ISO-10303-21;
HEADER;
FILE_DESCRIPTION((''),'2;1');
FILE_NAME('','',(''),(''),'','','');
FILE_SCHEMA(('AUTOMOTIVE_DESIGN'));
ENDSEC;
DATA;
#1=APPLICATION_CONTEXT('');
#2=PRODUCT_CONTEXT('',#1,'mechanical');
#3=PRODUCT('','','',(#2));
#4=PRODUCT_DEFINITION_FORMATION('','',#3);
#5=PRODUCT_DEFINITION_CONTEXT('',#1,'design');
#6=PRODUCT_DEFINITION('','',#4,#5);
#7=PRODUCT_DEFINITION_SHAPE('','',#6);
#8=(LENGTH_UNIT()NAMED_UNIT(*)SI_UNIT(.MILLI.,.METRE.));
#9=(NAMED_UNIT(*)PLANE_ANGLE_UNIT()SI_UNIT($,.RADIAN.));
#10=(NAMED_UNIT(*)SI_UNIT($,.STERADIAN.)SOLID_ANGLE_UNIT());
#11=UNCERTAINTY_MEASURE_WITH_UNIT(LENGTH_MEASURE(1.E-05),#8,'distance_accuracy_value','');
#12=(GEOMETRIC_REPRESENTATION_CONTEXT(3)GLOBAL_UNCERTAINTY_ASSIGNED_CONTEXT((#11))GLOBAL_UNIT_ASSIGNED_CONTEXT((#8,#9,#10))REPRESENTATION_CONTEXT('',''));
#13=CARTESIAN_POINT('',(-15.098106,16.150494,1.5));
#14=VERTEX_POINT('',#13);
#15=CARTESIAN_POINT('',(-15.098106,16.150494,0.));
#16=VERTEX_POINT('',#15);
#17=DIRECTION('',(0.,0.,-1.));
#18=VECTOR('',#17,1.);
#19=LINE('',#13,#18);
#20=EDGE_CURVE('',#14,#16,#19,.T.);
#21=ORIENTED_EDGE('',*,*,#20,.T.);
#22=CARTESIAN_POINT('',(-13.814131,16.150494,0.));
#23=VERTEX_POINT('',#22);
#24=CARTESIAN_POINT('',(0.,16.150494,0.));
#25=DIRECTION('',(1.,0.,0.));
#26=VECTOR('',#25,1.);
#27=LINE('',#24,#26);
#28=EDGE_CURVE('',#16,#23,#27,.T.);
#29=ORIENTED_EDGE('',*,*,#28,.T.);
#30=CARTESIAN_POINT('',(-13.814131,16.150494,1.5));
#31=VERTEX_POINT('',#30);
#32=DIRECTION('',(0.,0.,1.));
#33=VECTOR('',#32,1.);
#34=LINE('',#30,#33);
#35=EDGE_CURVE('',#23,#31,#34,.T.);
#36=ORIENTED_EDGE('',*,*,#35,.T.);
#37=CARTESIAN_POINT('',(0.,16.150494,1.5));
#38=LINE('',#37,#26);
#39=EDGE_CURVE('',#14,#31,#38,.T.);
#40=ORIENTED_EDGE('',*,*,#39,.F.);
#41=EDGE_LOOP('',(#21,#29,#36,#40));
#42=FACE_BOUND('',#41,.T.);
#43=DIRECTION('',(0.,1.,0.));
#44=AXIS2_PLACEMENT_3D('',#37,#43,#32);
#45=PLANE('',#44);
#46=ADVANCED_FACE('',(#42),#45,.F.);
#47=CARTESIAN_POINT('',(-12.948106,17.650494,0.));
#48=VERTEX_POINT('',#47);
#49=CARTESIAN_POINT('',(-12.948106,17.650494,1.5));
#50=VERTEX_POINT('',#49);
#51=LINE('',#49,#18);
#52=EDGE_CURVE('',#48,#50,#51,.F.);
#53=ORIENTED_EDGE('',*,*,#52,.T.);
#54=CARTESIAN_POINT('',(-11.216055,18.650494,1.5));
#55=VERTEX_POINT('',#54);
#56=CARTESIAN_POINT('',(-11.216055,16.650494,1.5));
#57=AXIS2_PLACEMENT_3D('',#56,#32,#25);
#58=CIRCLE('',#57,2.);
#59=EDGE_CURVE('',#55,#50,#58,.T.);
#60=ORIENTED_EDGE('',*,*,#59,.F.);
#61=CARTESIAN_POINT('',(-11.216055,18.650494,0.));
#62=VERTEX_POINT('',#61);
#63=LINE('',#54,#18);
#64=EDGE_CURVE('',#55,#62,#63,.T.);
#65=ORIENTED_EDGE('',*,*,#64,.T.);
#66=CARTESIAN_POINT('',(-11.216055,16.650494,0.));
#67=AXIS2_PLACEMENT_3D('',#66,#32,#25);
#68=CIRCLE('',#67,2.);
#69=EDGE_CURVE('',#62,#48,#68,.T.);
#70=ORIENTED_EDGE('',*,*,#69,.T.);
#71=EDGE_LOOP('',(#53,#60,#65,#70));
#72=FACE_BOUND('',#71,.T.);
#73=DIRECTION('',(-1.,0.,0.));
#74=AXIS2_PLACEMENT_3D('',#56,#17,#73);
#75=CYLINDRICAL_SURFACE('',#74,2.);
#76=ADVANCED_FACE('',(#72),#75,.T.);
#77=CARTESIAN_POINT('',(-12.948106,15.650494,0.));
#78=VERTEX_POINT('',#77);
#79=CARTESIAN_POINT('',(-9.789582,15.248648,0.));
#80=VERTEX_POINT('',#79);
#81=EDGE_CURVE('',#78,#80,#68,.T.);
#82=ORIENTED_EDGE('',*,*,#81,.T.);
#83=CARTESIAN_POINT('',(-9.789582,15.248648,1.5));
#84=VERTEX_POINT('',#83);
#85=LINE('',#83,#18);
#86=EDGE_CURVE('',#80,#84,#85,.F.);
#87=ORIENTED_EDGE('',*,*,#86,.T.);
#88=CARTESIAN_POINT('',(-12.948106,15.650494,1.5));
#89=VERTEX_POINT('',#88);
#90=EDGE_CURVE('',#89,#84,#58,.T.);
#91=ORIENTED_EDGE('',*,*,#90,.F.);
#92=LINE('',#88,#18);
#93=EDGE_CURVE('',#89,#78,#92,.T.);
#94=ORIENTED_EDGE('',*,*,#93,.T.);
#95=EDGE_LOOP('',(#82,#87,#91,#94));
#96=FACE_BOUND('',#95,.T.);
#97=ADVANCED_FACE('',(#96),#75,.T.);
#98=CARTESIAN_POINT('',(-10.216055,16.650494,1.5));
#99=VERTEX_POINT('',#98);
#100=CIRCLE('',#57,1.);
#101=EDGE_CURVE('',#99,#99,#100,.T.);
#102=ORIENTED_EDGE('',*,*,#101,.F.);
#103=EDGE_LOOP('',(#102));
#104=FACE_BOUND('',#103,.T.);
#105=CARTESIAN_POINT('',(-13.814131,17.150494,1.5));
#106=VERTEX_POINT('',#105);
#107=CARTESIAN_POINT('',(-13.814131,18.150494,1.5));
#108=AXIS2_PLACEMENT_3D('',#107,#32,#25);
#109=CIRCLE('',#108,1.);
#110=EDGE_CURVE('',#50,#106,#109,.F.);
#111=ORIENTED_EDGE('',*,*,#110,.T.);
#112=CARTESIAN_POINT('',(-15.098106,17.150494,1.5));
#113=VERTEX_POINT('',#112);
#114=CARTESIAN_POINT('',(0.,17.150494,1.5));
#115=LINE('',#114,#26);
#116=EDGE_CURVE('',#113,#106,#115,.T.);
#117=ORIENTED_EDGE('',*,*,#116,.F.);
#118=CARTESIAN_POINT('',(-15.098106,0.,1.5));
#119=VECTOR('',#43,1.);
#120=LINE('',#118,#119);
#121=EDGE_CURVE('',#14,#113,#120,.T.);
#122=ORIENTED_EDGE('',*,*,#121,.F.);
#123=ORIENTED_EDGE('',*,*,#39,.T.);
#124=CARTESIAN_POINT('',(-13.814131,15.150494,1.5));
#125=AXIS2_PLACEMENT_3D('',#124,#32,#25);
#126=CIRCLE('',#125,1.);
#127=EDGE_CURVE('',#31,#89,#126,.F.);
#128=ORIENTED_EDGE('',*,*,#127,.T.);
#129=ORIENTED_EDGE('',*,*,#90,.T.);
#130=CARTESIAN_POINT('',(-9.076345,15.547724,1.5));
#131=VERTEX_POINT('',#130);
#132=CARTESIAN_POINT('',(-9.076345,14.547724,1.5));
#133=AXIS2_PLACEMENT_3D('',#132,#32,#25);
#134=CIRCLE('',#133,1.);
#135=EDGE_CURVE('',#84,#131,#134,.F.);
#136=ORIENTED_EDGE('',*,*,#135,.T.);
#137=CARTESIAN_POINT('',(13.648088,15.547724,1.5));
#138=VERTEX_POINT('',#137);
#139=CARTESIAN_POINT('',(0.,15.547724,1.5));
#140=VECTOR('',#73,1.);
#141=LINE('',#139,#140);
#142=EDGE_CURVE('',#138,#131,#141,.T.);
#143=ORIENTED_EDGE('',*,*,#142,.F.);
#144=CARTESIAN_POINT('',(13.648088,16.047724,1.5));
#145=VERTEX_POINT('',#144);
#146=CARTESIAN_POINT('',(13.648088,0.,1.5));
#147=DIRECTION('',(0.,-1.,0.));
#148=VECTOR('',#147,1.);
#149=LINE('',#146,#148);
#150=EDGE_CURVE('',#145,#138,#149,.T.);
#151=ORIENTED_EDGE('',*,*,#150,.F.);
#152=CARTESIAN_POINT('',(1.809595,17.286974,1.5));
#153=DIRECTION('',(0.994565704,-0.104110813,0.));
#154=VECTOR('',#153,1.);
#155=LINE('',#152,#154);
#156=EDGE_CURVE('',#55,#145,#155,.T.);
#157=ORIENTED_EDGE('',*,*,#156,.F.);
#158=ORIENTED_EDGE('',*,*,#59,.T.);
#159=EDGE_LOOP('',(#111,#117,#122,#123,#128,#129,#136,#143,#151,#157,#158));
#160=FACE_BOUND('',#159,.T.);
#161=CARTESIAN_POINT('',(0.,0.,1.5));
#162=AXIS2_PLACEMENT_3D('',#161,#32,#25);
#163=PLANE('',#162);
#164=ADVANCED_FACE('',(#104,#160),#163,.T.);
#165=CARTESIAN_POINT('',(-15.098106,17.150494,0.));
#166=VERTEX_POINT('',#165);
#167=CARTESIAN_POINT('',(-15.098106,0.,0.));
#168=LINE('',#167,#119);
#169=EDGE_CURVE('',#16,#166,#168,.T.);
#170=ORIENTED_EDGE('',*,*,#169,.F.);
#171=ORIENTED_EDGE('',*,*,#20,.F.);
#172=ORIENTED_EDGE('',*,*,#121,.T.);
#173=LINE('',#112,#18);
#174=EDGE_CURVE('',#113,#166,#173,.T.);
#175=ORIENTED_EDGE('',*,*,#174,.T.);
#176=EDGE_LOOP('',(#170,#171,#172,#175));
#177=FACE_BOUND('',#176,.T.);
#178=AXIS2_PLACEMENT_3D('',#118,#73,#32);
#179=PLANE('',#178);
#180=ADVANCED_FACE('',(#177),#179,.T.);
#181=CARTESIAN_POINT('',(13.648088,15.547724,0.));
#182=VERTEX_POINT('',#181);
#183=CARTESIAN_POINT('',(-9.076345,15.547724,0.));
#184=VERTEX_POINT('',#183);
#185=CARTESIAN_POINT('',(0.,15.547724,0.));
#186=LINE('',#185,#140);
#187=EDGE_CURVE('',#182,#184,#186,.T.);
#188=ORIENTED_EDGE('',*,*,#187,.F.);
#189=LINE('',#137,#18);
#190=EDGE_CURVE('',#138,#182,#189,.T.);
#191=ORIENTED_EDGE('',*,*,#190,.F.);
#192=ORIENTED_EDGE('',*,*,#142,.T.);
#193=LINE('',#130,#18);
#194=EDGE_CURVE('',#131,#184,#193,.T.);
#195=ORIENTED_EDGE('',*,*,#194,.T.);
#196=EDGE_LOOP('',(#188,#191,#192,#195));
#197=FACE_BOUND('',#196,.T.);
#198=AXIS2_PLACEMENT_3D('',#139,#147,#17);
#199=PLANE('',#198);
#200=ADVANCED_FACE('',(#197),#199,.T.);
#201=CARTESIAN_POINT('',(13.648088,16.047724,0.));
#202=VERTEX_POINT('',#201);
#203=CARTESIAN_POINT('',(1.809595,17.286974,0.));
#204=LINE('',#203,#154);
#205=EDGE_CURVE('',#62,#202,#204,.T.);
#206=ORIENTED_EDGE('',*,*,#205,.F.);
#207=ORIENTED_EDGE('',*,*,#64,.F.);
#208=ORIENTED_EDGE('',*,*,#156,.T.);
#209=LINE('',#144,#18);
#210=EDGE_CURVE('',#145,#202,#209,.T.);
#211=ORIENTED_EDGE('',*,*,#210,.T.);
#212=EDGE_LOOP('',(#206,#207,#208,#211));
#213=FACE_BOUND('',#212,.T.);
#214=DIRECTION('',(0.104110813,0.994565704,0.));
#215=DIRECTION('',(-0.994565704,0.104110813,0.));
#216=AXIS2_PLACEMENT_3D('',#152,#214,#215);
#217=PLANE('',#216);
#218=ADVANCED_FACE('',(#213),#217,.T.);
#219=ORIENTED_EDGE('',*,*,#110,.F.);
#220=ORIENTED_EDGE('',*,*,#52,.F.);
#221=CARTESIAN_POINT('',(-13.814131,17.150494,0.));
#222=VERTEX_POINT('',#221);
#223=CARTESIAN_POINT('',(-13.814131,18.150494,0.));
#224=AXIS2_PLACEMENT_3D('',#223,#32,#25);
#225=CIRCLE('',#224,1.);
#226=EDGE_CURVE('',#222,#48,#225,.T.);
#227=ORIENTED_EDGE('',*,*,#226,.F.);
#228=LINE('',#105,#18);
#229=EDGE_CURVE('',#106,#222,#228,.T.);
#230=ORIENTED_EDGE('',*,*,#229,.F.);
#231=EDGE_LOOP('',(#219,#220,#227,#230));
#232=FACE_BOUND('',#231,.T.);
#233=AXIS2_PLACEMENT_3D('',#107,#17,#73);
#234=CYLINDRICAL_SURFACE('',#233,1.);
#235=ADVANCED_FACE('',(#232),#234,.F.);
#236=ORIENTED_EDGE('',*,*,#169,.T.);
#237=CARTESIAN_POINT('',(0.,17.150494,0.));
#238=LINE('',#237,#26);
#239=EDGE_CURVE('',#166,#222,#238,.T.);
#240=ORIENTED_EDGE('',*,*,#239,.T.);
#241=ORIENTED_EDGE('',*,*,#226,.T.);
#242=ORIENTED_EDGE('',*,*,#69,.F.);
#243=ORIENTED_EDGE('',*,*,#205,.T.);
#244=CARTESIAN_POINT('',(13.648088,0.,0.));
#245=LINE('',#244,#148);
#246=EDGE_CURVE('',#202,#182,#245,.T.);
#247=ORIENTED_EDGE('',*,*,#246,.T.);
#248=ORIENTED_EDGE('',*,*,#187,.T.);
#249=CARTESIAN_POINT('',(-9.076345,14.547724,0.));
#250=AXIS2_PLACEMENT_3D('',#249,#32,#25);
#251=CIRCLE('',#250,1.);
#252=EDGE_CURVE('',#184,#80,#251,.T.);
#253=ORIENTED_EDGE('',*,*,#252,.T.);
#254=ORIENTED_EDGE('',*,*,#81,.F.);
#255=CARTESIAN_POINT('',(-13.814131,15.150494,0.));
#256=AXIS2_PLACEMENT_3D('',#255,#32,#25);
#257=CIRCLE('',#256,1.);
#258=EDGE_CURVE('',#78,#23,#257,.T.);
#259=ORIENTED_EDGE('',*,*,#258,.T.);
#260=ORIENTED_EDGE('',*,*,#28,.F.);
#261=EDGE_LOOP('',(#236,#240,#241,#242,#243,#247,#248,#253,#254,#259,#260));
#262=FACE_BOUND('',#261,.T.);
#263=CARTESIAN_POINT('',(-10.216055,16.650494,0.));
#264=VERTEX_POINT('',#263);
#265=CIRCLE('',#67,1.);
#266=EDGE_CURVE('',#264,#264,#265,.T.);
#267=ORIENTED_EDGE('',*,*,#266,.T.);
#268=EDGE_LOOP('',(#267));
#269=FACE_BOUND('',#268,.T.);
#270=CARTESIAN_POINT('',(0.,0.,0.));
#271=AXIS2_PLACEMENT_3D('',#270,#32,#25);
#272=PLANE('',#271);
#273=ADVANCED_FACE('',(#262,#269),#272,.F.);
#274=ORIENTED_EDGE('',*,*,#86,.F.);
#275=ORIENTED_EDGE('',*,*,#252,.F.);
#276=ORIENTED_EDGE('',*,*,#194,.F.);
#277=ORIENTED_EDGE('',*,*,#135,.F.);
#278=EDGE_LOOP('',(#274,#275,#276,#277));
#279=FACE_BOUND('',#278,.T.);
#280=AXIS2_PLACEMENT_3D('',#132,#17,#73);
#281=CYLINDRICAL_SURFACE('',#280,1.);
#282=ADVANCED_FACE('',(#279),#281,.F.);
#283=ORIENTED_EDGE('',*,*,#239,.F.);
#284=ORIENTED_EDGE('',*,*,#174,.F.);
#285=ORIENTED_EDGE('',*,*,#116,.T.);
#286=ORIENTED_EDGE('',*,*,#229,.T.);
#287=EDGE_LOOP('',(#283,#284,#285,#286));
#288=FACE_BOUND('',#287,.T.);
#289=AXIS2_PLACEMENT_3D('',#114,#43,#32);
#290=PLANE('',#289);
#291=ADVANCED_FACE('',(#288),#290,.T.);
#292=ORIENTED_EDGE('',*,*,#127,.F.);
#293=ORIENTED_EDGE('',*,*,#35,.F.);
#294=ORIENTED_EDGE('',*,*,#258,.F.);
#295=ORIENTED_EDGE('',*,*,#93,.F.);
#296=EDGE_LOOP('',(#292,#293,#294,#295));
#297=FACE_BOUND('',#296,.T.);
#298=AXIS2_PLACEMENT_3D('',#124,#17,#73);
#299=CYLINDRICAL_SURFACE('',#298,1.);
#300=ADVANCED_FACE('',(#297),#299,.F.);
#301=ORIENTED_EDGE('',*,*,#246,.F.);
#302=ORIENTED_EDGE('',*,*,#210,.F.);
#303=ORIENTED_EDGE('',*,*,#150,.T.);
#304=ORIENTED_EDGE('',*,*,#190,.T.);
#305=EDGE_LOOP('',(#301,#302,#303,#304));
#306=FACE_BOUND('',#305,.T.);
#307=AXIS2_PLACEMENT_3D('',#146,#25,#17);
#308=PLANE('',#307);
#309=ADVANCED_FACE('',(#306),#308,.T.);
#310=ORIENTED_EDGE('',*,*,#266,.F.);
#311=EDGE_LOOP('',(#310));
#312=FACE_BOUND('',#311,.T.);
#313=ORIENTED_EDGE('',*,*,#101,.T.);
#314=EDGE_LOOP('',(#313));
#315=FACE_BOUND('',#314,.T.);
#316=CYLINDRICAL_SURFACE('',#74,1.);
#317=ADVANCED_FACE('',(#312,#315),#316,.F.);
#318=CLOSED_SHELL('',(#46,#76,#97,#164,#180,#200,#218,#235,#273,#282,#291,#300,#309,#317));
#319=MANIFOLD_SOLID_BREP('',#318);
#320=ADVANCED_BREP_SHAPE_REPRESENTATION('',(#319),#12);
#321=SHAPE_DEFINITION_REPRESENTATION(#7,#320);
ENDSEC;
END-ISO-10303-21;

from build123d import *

# Parameters (mm, degrees)
SKETCH1_R           = 1
BOSS_EXTRUDE1_DEPTH = 1.5
FILLET1_R           = 1
FILLET2_R           = 1
FILLET3_R           = 1


with BuildPart() as part:
    # Sketch1 → Boss-Extrude1 (new body)
    with BuildSketch(Plane.XY):
        with BuildLine():
            Line((13.648087548, 15.547724074), (13.648087548, 16.047724074))
            Line((13.648087548, 16.047724074), (-11.216055041, 18.650494389))
            ThreePointArc((-11.216055041, 18.650494389), (-12.440799912, 18.231633219), (-13.152546714, 17.150494389))
            Line((-13.152546714, 17.150494389), (-15.098105849, 17.150494389))
            Line((-15.098105849, 17.150494389), (-15.098105849, 16.150494389))
            Line((-15.098105849, 16.150494389), (-13.152546714, 16.150494389))
            ThreePointArc((-13.152546714, 16.150494389), (-11.545884817, 14.677878786), (-9.547553428, 15.547724074))
            Line((-9.547553428, 15.547724074), (13.648087548, 15.547724074))
        make_face()
        with Locations((-11.216055041, 16.650494389)):
            Circle(SKETCH1_R, mode=Mode.SUBTRACT)
    extrude(amount=BOSS_EXTRUDE1_DEPTH)

    # Fillet1
    fillet1_edges = [part.edges().sort_by_distance(p)[0] for p in [
        (-13.152546714, 16.150494389, 0.75),
    ]]
    fillet(fillet1_edges, radius=FILLET1_R)

    # Fillet2
    fillet2_edges = [part.edges().sort_by_distance(p)[0] for p in [
        (-13.152546714, 17.150494389, 0.75),
    ]]
    fillet(fillet2_edges, radius=FILLET2_R)

    # Fillet3
    fillet3_edges = [part.edges().sort_by_distance(p)[0] for p in [
        (-9.547553428, 15.547724074, 0.75),
    ]]
    fillet(fillet3_edges, radius=FILLET3_R)


solid = part.part
